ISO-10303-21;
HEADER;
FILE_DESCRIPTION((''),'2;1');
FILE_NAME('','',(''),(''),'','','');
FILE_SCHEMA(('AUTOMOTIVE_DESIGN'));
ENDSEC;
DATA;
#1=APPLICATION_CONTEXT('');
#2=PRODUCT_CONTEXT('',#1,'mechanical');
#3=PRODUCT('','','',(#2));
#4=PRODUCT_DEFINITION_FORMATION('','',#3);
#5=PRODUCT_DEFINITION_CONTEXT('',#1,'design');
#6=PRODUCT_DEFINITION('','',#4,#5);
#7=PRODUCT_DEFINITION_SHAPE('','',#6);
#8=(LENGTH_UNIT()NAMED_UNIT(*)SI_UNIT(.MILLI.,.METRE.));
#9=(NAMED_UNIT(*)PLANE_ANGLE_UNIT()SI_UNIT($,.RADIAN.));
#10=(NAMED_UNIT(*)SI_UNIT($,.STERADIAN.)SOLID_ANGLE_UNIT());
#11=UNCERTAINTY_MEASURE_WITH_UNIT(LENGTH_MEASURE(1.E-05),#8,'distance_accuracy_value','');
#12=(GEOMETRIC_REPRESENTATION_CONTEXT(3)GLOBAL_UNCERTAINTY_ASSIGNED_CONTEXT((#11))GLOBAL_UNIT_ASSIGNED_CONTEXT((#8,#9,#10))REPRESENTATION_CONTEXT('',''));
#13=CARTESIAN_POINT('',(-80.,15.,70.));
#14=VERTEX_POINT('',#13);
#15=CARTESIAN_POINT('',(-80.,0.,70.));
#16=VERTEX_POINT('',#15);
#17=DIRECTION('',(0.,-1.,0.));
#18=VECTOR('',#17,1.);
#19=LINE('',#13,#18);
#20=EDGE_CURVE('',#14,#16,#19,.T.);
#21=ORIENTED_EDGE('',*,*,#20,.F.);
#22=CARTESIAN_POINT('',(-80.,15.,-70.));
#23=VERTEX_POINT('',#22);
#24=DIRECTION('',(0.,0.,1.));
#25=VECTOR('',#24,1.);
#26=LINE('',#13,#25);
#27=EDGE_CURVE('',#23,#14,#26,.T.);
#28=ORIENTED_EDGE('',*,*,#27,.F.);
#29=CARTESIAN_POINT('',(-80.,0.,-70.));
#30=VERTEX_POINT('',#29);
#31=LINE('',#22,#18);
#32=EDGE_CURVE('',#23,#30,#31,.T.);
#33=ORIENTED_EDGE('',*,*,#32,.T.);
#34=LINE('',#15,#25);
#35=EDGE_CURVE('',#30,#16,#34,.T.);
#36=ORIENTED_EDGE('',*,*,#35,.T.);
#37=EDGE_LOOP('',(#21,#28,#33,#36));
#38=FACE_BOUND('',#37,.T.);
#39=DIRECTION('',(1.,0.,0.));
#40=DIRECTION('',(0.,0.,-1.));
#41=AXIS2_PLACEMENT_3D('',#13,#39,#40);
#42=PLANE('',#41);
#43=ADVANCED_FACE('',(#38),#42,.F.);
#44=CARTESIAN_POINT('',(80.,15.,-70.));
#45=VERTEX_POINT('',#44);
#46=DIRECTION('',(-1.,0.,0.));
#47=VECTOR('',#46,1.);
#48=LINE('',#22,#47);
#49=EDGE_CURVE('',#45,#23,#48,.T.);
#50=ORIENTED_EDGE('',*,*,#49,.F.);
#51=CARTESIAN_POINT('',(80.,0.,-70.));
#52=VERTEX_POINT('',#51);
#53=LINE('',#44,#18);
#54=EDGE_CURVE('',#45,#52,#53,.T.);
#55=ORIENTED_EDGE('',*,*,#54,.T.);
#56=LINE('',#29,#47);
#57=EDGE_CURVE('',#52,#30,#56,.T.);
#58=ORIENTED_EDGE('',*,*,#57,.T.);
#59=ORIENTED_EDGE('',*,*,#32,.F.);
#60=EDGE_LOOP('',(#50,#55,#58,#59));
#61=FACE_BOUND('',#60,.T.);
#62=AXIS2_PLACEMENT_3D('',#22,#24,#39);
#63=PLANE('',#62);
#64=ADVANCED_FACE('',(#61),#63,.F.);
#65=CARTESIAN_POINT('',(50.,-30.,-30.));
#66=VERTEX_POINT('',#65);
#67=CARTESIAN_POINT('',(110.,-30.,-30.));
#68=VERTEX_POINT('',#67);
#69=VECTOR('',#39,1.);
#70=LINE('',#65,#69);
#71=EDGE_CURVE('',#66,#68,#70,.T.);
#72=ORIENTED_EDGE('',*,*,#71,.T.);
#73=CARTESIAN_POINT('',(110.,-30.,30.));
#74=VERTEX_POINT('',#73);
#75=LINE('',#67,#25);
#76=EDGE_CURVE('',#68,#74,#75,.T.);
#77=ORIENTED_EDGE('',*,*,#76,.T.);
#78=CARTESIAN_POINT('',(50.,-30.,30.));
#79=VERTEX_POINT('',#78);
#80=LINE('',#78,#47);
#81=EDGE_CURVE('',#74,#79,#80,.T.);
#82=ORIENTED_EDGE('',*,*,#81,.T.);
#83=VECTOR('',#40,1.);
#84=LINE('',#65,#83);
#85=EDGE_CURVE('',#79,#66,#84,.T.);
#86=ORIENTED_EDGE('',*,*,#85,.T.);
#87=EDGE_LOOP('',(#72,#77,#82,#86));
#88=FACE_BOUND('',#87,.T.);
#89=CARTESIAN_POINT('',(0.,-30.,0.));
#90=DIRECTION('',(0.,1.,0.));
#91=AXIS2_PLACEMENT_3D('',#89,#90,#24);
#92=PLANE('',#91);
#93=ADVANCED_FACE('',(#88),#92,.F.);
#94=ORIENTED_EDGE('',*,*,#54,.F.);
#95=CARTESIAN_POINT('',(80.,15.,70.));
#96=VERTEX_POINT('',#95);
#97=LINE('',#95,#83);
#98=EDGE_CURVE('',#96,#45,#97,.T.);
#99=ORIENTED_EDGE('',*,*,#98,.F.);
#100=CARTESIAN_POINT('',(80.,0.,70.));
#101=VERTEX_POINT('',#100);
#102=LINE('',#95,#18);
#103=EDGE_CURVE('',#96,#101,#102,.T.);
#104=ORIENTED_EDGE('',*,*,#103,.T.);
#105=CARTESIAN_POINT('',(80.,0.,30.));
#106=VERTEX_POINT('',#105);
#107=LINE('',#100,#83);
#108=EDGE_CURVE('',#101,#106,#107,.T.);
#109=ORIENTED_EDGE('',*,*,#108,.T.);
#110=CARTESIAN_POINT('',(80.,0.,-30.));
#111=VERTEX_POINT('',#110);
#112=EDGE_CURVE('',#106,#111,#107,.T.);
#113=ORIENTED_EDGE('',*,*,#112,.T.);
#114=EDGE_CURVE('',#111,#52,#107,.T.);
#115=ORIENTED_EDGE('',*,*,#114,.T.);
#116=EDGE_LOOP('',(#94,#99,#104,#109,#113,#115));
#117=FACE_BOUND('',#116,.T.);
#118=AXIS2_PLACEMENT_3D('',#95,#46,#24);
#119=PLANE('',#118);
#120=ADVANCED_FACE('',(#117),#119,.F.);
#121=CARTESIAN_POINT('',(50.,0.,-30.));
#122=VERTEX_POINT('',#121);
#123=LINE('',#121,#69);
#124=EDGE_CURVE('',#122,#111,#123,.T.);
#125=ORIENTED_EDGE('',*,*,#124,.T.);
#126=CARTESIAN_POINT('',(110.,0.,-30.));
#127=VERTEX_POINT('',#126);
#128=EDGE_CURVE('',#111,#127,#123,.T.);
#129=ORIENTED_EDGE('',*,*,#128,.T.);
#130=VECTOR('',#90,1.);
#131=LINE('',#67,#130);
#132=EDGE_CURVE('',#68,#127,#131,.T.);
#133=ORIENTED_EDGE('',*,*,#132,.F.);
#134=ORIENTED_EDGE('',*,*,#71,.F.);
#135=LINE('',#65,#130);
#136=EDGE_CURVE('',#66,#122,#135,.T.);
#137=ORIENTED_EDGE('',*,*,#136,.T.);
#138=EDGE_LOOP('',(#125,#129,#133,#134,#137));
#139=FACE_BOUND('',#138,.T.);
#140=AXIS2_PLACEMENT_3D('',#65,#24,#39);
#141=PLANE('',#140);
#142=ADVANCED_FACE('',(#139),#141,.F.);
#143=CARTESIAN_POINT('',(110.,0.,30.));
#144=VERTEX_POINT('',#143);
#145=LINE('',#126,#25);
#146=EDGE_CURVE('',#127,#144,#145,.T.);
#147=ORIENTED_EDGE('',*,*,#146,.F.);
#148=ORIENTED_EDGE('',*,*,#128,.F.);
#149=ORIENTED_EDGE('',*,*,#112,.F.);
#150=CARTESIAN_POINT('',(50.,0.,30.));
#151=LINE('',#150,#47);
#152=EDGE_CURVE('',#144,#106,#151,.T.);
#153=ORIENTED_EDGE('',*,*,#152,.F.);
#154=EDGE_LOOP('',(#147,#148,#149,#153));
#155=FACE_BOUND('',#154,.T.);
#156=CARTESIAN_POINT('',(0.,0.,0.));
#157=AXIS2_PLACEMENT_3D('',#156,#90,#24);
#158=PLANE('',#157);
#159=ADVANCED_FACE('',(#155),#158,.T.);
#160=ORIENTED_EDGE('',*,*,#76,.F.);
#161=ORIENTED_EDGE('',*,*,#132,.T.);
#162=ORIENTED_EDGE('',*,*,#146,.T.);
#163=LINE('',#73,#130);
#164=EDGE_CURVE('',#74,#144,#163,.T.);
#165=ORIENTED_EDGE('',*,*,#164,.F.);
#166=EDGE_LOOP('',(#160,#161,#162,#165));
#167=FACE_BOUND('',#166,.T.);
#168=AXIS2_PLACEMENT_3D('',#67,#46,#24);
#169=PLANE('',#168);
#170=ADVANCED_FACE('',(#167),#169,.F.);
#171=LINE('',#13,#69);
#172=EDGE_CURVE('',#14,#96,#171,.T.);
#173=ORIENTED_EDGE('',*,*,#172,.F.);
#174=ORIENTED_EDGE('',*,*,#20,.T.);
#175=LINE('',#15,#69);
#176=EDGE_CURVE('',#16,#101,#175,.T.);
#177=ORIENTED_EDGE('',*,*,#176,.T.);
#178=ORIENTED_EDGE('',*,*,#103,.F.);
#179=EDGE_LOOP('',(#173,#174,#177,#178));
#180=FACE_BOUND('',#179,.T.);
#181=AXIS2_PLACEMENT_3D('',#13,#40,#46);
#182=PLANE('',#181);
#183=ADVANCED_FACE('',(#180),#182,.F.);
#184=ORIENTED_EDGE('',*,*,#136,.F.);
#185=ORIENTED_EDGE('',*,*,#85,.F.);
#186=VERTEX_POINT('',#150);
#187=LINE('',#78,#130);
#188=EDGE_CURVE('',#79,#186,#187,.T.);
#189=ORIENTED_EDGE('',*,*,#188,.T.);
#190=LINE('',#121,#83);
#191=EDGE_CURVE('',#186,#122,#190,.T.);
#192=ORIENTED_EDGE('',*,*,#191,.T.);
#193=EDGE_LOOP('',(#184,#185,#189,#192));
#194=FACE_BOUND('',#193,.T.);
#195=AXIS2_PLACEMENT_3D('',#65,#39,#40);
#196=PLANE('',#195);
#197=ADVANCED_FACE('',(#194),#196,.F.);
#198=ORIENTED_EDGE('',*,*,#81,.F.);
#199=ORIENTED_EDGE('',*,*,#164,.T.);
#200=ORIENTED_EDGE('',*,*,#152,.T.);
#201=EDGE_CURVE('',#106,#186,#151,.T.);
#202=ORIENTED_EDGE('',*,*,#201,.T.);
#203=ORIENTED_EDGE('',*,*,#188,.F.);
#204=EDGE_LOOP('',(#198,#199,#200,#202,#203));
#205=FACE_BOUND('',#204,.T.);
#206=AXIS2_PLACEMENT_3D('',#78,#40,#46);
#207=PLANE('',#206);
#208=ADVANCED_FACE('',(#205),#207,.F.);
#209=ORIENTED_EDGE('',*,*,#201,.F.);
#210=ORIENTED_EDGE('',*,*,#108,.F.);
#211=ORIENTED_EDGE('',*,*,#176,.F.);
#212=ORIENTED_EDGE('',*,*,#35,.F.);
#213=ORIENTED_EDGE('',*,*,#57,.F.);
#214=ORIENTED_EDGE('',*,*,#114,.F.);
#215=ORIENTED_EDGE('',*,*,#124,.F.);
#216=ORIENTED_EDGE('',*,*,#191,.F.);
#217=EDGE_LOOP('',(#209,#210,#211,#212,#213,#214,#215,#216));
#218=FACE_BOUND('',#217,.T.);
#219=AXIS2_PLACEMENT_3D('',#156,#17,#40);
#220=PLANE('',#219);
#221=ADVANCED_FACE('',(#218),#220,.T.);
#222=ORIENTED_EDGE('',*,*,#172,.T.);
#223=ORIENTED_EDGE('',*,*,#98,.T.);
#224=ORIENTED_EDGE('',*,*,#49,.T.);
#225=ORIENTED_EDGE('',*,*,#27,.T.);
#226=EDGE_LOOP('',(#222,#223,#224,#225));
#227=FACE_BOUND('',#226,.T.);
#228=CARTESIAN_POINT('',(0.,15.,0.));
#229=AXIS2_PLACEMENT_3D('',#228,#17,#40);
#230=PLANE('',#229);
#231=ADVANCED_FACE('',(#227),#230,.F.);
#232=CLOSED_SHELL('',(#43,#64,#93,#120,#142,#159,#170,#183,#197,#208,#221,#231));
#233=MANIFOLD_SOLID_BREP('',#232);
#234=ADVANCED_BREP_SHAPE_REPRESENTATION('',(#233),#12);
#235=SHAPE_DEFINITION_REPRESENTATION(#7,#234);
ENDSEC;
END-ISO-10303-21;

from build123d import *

# Parameters (mm, degrees)
SKETCH_1_W      = 160
SKETCH_1_H      = 140
EXTRUDE_1_DEPTH = 15
SKETCH_3_W      = 60
SKETCH_3_H      = 60
EXTRUDE_2_DEPTH = 30


with BuildPart() as part:
    # 草图1 → 凸台-拉伸1 (new body)
    with BuildSketch(Plane(origin=(0, 0, 0), x_dir=(1, 0, 0), z_dir=(0, 1, 0))):
        Rectangle(SKETCH_1_W, SKETCH_1_H)
    extrude(amount=EXTRUDE_1_DEPTH)

    # 草图3 → 凸台-拉伸2 (add)
    with BuildSketch(Plane.XZ):
        with Locations((80, 0)):
            Rectangle(SKETCH_3_W, SKETCH_3_H)
    extrude(amount=EXTRUDE_2_DEPTH)


solid = part.part
